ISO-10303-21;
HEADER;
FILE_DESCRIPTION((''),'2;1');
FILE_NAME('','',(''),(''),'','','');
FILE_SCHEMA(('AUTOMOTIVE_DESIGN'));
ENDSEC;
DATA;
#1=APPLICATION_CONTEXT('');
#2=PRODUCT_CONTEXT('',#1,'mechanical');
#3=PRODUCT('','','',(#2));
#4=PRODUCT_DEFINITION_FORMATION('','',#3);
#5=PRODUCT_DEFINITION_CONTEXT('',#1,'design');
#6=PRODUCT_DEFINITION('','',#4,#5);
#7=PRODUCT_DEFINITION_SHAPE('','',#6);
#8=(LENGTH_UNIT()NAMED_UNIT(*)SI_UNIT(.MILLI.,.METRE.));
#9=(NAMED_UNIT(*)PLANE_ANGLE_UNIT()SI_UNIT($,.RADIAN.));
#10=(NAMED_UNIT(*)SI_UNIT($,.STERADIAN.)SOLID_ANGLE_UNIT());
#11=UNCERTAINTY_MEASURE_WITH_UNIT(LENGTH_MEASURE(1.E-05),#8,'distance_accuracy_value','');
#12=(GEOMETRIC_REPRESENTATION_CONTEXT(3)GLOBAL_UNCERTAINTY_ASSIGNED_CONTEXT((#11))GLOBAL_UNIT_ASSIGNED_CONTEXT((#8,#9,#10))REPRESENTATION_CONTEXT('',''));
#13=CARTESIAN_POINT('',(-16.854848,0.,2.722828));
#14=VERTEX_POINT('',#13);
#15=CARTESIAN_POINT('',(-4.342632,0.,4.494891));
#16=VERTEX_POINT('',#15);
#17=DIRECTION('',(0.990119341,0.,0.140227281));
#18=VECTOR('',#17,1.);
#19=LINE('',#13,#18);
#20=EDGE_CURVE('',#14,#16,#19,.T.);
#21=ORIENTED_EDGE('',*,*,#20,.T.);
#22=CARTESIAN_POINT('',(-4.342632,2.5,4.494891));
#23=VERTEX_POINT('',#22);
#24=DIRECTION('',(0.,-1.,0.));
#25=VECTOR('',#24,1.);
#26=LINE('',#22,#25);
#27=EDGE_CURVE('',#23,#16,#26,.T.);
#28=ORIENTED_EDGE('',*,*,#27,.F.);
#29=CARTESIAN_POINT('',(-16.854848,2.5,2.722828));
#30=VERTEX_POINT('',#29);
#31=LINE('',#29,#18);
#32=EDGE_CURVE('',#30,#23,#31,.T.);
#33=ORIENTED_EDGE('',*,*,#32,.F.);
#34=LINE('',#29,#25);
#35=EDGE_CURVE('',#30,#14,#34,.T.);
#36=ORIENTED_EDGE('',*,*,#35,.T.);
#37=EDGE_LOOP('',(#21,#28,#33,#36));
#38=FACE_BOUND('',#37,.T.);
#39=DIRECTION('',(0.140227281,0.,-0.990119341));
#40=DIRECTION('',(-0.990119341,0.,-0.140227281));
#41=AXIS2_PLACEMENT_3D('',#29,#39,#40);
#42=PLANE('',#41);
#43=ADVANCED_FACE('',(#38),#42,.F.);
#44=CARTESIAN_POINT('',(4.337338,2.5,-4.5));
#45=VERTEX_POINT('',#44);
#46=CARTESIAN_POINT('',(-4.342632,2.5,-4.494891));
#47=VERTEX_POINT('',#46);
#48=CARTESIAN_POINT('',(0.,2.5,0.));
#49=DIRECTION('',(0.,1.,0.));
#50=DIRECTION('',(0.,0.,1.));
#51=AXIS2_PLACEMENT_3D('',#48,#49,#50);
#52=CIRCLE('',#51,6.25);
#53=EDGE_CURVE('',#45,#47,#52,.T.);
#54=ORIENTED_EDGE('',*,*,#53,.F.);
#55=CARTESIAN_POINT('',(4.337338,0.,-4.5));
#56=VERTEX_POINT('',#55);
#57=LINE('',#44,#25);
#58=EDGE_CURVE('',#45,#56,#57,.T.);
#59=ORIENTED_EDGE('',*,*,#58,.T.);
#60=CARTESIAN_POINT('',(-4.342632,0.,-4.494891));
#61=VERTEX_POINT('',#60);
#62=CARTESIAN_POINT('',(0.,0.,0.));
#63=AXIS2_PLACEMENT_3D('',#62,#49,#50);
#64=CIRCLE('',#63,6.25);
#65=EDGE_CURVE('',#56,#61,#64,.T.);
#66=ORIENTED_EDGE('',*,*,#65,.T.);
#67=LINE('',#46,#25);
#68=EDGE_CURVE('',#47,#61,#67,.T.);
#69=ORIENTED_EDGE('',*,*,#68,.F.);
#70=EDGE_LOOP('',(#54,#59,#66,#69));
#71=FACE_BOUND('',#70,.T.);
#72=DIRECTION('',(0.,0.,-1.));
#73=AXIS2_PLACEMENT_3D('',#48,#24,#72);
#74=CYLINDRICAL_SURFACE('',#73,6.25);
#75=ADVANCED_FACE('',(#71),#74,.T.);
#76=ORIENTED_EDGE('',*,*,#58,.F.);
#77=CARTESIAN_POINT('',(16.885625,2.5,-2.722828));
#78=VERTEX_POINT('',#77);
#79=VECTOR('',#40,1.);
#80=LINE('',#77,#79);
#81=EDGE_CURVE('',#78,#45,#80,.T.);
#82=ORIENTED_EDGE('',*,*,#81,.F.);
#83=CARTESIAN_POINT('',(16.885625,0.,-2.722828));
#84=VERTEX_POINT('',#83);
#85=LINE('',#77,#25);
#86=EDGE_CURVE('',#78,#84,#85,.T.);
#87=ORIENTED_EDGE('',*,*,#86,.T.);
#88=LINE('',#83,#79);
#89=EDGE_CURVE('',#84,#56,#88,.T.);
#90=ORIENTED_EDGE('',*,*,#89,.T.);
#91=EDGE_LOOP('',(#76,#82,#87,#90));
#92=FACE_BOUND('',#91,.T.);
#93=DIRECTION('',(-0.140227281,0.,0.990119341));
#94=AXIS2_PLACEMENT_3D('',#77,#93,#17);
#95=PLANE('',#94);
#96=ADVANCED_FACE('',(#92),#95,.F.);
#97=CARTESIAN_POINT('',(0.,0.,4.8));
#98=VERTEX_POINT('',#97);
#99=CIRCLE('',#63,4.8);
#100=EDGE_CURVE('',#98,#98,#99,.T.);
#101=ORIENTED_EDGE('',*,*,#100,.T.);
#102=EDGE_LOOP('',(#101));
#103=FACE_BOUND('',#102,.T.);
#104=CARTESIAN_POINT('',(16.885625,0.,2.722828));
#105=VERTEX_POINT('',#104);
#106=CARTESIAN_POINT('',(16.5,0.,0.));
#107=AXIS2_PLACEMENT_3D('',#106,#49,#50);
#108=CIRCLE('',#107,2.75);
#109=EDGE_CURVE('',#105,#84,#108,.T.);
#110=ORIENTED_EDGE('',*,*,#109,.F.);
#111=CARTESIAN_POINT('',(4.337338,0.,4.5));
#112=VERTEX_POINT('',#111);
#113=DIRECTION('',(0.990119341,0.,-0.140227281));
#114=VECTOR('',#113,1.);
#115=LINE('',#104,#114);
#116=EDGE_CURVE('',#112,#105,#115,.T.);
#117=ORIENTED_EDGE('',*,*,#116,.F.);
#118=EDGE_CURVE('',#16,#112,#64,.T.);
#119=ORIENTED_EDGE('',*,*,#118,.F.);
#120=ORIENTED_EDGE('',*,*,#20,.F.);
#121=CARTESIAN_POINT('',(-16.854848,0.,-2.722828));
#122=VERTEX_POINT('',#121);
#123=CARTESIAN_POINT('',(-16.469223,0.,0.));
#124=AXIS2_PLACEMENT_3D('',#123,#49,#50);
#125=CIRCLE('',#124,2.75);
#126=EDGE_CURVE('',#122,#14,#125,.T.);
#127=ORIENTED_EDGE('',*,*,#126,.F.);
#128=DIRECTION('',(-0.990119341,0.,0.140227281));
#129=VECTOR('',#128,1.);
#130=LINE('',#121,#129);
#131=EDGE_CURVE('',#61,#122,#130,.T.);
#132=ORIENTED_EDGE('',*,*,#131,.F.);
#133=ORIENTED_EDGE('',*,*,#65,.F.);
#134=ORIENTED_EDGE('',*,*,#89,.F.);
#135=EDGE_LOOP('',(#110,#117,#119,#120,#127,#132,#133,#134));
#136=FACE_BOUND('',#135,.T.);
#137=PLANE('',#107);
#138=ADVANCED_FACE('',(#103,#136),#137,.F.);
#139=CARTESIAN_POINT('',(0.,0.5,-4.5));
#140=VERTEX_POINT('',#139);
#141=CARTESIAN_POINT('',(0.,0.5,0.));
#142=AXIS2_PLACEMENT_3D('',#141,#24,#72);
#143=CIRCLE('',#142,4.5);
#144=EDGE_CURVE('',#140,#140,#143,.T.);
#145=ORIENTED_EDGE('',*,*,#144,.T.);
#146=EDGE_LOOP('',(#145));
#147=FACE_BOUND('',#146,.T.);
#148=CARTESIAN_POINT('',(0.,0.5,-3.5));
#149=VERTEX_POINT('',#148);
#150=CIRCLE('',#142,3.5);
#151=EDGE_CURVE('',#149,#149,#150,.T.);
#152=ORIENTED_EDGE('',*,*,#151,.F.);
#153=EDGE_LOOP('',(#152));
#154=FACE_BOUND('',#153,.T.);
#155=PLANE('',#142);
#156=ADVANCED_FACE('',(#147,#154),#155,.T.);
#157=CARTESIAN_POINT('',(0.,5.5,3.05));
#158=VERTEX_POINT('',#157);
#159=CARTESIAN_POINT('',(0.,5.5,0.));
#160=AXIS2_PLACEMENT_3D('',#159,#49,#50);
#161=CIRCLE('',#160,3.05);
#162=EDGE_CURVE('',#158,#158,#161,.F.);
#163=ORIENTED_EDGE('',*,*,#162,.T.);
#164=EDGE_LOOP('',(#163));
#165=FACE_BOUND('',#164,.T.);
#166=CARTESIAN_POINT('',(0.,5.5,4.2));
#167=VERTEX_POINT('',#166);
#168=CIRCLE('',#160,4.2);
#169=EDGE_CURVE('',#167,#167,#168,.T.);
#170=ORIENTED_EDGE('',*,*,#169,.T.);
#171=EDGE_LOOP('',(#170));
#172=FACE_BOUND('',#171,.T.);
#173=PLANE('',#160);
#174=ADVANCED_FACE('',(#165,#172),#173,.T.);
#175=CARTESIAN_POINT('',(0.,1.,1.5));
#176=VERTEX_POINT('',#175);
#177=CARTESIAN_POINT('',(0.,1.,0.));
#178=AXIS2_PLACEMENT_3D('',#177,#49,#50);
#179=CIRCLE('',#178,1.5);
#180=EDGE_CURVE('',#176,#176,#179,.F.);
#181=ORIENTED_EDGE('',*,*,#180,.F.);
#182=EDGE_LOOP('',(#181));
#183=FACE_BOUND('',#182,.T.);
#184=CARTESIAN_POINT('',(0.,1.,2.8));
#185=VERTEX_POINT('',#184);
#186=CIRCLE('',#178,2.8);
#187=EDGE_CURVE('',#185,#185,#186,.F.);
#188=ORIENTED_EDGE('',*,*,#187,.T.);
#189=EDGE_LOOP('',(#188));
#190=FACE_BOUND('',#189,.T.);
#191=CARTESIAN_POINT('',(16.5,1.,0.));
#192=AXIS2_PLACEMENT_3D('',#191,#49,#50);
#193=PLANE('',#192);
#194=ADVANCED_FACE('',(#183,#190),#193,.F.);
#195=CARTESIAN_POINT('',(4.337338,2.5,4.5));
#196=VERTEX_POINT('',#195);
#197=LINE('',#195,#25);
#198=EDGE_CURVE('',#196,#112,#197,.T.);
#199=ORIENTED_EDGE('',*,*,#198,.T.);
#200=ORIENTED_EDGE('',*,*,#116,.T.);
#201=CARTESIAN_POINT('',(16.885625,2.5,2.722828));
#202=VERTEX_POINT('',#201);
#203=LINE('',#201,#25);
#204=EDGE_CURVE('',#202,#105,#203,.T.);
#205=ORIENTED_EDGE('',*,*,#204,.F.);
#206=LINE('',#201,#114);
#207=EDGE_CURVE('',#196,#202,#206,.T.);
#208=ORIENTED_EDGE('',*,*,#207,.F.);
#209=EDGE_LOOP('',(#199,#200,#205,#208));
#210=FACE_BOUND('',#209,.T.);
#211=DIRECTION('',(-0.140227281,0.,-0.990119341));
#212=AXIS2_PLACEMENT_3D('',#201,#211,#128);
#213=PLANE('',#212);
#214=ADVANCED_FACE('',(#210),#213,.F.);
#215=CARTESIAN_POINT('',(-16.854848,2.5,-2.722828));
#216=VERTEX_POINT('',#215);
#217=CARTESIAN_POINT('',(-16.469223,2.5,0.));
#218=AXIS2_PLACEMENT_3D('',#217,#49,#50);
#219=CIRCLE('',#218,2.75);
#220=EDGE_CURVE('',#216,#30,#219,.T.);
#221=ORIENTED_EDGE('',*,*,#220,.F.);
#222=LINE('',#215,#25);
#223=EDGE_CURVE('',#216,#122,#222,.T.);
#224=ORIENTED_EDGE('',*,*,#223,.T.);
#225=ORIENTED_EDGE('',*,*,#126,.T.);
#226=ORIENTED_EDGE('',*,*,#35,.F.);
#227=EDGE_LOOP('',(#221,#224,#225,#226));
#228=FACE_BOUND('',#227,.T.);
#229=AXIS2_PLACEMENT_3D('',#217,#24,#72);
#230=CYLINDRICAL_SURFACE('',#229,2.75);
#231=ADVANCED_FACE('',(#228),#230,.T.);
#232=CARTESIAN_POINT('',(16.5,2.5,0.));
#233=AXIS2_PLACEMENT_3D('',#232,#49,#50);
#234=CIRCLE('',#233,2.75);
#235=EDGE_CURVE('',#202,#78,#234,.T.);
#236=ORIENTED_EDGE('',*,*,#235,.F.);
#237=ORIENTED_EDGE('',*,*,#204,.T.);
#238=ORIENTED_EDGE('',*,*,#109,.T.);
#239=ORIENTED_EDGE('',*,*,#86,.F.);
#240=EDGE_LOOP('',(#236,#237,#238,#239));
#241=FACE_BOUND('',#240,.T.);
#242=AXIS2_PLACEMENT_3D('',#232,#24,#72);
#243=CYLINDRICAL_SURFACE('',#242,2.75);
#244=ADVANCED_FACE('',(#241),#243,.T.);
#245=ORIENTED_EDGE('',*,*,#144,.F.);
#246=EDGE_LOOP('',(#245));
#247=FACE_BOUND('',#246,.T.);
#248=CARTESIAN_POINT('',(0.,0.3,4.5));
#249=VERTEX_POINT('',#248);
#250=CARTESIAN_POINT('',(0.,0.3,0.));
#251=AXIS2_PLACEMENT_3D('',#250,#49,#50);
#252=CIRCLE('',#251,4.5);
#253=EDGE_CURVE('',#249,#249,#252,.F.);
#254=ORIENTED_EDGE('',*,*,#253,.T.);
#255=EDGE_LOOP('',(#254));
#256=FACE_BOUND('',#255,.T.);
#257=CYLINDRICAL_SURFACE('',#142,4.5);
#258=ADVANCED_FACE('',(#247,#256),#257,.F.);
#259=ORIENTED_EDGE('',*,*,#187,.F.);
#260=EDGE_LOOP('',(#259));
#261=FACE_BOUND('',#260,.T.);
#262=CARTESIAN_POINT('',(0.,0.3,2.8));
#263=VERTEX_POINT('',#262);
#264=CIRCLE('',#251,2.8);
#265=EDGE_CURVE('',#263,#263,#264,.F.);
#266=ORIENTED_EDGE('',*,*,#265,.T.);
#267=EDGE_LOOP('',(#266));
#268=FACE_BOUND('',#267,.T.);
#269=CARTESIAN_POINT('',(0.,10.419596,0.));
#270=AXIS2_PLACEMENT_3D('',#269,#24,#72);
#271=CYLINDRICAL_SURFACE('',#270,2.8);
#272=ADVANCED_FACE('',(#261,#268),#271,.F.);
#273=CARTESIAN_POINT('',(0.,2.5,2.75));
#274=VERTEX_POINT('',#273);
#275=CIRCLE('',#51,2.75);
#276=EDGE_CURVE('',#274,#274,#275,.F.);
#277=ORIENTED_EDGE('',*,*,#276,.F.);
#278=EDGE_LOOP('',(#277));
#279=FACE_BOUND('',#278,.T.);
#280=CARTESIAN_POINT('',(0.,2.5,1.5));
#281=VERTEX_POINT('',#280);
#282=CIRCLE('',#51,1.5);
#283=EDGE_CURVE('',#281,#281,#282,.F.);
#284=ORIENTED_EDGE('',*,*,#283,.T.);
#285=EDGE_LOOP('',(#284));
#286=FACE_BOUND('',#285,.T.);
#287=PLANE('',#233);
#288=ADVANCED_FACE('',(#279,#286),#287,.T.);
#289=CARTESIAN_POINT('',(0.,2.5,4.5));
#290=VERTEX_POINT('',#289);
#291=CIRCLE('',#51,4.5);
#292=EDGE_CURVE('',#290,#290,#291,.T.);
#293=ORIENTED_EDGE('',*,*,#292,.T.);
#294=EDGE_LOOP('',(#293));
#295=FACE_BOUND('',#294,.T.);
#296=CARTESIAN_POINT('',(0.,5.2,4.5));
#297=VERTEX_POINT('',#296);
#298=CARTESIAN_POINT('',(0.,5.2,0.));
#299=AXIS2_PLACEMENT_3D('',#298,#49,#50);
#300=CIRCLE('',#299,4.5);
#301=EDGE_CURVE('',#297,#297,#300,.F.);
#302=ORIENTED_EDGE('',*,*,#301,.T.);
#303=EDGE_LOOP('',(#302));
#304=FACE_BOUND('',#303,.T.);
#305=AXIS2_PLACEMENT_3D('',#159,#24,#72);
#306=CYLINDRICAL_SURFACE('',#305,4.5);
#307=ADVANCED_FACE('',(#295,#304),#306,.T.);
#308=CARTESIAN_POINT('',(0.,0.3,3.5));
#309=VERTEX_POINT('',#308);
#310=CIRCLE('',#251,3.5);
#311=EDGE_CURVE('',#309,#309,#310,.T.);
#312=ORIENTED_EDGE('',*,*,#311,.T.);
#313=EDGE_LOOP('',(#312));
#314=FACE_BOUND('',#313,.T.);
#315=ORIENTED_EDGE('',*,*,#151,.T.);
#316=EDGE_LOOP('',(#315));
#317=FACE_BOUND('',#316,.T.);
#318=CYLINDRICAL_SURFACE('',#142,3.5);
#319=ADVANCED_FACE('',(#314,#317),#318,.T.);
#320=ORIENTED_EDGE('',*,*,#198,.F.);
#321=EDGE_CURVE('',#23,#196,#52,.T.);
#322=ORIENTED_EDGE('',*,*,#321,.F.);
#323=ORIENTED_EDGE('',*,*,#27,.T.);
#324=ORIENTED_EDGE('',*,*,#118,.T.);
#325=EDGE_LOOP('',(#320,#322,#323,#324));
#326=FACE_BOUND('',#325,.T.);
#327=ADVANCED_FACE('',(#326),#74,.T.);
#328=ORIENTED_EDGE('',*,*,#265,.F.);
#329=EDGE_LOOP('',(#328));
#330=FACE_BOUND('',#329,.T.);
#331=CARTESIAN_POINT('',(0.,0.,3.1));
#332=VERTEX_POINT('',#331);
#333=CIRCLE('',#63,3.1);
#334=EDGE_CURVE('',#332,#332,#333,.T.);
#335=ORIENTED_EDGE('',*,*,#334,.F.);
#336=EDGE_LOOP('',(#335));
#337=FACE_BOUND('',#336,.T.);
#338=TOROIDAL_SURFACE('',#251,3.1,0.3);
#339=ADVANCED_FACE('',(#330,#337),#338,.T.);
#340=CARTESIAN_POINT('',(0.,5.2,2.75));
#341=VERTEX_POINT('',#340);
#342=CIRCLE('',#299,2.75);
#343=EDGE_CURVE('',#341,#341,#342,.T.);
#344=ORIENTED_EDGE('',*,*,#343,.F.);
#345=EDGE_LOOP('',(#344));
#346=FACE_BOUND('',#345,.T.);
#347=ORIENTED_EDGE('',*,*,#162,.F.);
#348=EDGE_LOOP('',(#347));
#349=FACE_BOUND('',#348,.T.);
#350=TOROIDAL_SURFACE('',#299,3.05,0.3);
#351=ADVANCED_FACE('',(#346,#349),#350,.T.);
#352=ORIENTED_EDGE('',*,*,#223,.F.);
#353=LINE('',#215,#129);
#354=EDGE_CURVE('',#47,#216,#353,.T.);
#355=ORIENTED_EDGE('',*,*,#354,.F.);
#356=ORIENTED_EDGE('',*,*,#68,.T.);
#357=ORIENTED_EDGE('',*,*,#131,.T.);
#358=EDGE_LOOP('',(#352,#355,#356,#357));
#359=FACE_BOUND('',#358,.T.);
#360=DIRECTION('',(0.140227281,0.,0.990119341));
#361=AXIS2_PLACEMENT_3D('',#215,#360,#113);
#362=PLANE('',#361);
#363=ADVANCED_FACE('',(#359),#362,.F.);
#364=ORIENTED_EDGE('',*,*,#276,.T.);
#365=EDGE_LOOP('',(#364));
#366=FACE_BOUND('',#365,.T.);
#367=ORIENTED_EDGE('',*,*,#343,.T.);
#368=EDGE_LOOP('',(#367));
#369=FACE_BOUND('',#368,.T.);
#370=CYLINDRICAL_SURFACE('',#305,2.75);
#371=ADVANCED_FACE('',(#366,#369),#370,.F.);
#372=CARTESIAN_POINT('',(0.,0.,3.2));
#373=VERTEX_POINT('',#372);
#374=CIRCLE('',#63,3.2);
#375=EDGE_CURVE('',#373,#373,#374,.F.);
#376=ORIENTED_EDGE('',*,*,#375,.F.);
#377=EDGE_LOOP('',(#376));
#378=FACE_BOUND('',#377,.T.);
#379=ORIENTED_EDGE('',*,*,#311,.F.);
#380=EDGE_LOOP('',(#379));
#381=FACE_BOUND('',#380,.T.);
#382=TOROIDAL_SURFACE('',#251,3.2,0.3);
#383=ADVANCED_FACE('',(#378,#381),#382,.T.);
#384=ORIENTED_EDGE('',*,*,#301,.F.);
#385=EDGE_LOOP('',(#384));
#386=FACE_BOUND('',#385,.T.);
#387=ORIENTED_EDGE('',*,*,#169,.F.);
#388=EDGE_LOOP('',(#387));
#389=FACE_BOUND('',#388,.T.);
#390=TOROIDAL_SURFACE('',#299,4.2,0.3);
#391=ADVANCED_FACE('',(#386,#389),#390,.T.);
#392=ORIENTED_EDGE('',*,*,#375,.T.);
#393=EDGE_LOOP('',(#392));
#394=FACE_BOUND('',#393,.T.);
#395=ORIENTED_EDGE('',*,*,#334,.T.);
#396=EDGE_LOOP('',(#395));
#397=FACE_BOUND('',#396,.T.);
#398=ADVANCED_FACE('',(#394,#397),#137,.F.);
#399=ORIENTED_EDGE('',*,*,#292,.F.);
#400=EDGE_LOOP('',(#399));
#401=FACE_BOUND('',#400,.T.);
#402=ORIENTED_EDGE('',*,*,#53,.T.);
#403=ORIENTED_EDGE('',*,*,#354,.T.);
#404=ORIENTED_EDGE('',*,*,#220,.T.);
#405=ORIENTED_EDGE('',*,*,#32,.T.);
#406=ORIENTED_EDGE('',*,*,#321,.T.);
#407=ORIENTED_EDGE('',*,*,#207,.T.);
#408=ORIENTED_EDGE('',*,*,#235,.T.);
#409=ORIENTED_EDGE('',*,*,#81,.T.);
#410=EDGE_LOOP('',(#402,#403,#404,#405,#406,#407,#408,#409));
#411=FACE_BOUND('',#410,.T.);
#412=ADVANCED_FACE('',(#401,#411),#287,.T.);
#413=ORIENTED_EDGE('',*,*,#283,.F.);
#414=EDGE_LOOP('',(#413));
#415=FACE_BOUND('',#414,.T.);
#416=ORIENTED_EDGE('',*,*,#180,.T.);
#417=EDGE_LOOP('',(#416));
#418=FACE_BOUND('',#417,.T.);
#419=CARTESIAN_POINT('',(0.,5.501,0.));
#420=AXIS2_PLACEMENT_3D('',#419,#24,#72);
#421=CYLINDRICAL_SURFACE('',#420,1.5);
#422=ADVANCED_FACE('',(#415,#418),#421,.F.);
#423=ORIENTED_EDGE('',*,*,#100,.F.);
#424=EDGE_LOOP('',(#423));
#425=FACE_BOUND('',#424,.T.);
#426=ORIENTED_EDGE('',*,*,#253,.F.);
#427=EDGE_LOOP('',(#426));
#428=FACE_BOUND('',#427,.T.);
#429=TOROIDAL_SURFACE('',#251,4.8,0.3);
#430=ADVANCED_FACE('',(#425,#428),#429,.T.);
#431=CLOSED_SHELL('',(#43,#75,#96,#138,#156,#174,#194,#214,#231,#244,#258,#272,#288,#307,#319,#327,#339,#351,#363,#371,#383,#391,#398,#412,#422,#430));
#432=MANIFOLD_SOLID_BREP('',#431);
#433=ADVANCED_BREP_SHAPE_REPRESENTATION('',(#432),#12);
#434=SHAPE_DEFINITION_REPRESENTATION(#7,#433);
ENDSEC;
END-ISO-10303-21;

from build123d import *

# Parameters (mm, degrees)
SALIENTE_EXTRUIR1_DEPTH = 2.5
CROQUIS2_R              = 4.5
CROQUIS2_R_2            = 2.75
SALIENTE_EXTRUIR2_DEPTH = 3
CORTAR_EXTRUIR1_REACH   = 7.5
CROQUIS3_R              = 1.5
CROQUIS4_R              = 2.8
CORTAR_EXTRUIR2_DEPTH   = 1
CROQUIS5_R              = 4.5
CROQUIS5_R_2            = 3.5
CORTAR_EXTRUIR3_DEPTH   = 0.5
REDONDEO1_R             = 0.3


with BuildPart() as part:
    # Croquis1 → Saliente-Extruir1 (new body)
    with BuildSketch(Plane(origin=(0, 0, 0), x_dir=(1, 0, 0), z_dir=(0, 1, 0))):
        with BuildLine():
            Line((16.885625022, 2.722828188), (4.337337893, 4.5))
            ThreePointArc((4.337337893, 4.5), (-0.003678449, 6.249998918), (-4.342631854, 4.494891387))
            Line((-4.342631854, 4.494891387), (-16.854847994, 2.722828188))
            ThreePointArc((-16.854847994, 2.722828188), (-19.219222971, 0), (-16.854847994, -2.722828188))
            Line((-16.854847994, -2.722828188), (-4.342631854, -4.494891387))
            ThreePointArc((-4.342631854, -4.494891387), (-0.003678449, -6.249998918), (4.337337893, -4.5))
            Line((4.337337893, -4.5), (16.885625022, -2.722828188))
            ThreePointArc((16.885625022, -2.722828188), (19.25, 0), (16.885625022, 2.722828188))
        make_face()
    extrude(amount=SALIENTE_EXTRUIR1_DEPTH)

    # Croquis2 → Saliente-Extruir2 (add)
    with BuildSketch(Plane(origin=(0, 2.5, 0), x_dir=(1, 0, 0), z_dir=(0, 1, 0))):
        Circle(CROQUIS2_R)
        Circle(CROQUIS2_R_2, mode=Mode.SUBTRACT)
    extrude(amount=SALIENTE_EXTRUIR2_DEPTH)

    # Croquis3 → Cortar-Extruir1 (cut, up to next)
    with BuildSketch(Plane.XZ, mode=Mode.PRIVATE) as cortar_extruir1_sk1:
        Circle(CROQUIS3_R)
    cortar_extruir1_tool1 = extrude(cortar_extruir1_sk1.sketch, amount=-CORTAR_EXTRUIR1_REACH, mode=Mode.PRIVATE) & part.part
    add(cortar_extruir1_tool1.solids().sort_by_distance((0, 0, 0))[0], mode=Mode.SUBTRACT)

    # Croquis4 → Cortar-Extruir2 (cut)
    with BuildSketch(Plane.XZ):
        Circle(CROQUIS4_R)
    extrude(amount=-CORTAR_EXTRUIR2_DEPTH, mode=Mode.SUBTRACT)

    # Croquis5 → Cortar-Extruir3 (cut)
    with BuildSketch(Plane.XZ):
        Circle(CROQUIS5_R)
        Circle(CROQUIS5_R_2, mode=Mode.SUBTRACT)
    extrude(amount=-CORTAR_EXTRUIR3_DEPTH, mode=Mode.SUBTRACT)

    # Redondeo1
    redondeo1_edges = [part.edges().sort_by_distance(p)[0] for p in [
        (-4.5, 5.5, 0),
        (-2.75, 5.5, 0),
        (-2.8, 0, 0),
        (-4.5, 0, 0),
        (-3.5, 0, 0),
    ]]
    fillet(redondeo1_edges, radius=REDONDEO1_R)


solid = part.part
